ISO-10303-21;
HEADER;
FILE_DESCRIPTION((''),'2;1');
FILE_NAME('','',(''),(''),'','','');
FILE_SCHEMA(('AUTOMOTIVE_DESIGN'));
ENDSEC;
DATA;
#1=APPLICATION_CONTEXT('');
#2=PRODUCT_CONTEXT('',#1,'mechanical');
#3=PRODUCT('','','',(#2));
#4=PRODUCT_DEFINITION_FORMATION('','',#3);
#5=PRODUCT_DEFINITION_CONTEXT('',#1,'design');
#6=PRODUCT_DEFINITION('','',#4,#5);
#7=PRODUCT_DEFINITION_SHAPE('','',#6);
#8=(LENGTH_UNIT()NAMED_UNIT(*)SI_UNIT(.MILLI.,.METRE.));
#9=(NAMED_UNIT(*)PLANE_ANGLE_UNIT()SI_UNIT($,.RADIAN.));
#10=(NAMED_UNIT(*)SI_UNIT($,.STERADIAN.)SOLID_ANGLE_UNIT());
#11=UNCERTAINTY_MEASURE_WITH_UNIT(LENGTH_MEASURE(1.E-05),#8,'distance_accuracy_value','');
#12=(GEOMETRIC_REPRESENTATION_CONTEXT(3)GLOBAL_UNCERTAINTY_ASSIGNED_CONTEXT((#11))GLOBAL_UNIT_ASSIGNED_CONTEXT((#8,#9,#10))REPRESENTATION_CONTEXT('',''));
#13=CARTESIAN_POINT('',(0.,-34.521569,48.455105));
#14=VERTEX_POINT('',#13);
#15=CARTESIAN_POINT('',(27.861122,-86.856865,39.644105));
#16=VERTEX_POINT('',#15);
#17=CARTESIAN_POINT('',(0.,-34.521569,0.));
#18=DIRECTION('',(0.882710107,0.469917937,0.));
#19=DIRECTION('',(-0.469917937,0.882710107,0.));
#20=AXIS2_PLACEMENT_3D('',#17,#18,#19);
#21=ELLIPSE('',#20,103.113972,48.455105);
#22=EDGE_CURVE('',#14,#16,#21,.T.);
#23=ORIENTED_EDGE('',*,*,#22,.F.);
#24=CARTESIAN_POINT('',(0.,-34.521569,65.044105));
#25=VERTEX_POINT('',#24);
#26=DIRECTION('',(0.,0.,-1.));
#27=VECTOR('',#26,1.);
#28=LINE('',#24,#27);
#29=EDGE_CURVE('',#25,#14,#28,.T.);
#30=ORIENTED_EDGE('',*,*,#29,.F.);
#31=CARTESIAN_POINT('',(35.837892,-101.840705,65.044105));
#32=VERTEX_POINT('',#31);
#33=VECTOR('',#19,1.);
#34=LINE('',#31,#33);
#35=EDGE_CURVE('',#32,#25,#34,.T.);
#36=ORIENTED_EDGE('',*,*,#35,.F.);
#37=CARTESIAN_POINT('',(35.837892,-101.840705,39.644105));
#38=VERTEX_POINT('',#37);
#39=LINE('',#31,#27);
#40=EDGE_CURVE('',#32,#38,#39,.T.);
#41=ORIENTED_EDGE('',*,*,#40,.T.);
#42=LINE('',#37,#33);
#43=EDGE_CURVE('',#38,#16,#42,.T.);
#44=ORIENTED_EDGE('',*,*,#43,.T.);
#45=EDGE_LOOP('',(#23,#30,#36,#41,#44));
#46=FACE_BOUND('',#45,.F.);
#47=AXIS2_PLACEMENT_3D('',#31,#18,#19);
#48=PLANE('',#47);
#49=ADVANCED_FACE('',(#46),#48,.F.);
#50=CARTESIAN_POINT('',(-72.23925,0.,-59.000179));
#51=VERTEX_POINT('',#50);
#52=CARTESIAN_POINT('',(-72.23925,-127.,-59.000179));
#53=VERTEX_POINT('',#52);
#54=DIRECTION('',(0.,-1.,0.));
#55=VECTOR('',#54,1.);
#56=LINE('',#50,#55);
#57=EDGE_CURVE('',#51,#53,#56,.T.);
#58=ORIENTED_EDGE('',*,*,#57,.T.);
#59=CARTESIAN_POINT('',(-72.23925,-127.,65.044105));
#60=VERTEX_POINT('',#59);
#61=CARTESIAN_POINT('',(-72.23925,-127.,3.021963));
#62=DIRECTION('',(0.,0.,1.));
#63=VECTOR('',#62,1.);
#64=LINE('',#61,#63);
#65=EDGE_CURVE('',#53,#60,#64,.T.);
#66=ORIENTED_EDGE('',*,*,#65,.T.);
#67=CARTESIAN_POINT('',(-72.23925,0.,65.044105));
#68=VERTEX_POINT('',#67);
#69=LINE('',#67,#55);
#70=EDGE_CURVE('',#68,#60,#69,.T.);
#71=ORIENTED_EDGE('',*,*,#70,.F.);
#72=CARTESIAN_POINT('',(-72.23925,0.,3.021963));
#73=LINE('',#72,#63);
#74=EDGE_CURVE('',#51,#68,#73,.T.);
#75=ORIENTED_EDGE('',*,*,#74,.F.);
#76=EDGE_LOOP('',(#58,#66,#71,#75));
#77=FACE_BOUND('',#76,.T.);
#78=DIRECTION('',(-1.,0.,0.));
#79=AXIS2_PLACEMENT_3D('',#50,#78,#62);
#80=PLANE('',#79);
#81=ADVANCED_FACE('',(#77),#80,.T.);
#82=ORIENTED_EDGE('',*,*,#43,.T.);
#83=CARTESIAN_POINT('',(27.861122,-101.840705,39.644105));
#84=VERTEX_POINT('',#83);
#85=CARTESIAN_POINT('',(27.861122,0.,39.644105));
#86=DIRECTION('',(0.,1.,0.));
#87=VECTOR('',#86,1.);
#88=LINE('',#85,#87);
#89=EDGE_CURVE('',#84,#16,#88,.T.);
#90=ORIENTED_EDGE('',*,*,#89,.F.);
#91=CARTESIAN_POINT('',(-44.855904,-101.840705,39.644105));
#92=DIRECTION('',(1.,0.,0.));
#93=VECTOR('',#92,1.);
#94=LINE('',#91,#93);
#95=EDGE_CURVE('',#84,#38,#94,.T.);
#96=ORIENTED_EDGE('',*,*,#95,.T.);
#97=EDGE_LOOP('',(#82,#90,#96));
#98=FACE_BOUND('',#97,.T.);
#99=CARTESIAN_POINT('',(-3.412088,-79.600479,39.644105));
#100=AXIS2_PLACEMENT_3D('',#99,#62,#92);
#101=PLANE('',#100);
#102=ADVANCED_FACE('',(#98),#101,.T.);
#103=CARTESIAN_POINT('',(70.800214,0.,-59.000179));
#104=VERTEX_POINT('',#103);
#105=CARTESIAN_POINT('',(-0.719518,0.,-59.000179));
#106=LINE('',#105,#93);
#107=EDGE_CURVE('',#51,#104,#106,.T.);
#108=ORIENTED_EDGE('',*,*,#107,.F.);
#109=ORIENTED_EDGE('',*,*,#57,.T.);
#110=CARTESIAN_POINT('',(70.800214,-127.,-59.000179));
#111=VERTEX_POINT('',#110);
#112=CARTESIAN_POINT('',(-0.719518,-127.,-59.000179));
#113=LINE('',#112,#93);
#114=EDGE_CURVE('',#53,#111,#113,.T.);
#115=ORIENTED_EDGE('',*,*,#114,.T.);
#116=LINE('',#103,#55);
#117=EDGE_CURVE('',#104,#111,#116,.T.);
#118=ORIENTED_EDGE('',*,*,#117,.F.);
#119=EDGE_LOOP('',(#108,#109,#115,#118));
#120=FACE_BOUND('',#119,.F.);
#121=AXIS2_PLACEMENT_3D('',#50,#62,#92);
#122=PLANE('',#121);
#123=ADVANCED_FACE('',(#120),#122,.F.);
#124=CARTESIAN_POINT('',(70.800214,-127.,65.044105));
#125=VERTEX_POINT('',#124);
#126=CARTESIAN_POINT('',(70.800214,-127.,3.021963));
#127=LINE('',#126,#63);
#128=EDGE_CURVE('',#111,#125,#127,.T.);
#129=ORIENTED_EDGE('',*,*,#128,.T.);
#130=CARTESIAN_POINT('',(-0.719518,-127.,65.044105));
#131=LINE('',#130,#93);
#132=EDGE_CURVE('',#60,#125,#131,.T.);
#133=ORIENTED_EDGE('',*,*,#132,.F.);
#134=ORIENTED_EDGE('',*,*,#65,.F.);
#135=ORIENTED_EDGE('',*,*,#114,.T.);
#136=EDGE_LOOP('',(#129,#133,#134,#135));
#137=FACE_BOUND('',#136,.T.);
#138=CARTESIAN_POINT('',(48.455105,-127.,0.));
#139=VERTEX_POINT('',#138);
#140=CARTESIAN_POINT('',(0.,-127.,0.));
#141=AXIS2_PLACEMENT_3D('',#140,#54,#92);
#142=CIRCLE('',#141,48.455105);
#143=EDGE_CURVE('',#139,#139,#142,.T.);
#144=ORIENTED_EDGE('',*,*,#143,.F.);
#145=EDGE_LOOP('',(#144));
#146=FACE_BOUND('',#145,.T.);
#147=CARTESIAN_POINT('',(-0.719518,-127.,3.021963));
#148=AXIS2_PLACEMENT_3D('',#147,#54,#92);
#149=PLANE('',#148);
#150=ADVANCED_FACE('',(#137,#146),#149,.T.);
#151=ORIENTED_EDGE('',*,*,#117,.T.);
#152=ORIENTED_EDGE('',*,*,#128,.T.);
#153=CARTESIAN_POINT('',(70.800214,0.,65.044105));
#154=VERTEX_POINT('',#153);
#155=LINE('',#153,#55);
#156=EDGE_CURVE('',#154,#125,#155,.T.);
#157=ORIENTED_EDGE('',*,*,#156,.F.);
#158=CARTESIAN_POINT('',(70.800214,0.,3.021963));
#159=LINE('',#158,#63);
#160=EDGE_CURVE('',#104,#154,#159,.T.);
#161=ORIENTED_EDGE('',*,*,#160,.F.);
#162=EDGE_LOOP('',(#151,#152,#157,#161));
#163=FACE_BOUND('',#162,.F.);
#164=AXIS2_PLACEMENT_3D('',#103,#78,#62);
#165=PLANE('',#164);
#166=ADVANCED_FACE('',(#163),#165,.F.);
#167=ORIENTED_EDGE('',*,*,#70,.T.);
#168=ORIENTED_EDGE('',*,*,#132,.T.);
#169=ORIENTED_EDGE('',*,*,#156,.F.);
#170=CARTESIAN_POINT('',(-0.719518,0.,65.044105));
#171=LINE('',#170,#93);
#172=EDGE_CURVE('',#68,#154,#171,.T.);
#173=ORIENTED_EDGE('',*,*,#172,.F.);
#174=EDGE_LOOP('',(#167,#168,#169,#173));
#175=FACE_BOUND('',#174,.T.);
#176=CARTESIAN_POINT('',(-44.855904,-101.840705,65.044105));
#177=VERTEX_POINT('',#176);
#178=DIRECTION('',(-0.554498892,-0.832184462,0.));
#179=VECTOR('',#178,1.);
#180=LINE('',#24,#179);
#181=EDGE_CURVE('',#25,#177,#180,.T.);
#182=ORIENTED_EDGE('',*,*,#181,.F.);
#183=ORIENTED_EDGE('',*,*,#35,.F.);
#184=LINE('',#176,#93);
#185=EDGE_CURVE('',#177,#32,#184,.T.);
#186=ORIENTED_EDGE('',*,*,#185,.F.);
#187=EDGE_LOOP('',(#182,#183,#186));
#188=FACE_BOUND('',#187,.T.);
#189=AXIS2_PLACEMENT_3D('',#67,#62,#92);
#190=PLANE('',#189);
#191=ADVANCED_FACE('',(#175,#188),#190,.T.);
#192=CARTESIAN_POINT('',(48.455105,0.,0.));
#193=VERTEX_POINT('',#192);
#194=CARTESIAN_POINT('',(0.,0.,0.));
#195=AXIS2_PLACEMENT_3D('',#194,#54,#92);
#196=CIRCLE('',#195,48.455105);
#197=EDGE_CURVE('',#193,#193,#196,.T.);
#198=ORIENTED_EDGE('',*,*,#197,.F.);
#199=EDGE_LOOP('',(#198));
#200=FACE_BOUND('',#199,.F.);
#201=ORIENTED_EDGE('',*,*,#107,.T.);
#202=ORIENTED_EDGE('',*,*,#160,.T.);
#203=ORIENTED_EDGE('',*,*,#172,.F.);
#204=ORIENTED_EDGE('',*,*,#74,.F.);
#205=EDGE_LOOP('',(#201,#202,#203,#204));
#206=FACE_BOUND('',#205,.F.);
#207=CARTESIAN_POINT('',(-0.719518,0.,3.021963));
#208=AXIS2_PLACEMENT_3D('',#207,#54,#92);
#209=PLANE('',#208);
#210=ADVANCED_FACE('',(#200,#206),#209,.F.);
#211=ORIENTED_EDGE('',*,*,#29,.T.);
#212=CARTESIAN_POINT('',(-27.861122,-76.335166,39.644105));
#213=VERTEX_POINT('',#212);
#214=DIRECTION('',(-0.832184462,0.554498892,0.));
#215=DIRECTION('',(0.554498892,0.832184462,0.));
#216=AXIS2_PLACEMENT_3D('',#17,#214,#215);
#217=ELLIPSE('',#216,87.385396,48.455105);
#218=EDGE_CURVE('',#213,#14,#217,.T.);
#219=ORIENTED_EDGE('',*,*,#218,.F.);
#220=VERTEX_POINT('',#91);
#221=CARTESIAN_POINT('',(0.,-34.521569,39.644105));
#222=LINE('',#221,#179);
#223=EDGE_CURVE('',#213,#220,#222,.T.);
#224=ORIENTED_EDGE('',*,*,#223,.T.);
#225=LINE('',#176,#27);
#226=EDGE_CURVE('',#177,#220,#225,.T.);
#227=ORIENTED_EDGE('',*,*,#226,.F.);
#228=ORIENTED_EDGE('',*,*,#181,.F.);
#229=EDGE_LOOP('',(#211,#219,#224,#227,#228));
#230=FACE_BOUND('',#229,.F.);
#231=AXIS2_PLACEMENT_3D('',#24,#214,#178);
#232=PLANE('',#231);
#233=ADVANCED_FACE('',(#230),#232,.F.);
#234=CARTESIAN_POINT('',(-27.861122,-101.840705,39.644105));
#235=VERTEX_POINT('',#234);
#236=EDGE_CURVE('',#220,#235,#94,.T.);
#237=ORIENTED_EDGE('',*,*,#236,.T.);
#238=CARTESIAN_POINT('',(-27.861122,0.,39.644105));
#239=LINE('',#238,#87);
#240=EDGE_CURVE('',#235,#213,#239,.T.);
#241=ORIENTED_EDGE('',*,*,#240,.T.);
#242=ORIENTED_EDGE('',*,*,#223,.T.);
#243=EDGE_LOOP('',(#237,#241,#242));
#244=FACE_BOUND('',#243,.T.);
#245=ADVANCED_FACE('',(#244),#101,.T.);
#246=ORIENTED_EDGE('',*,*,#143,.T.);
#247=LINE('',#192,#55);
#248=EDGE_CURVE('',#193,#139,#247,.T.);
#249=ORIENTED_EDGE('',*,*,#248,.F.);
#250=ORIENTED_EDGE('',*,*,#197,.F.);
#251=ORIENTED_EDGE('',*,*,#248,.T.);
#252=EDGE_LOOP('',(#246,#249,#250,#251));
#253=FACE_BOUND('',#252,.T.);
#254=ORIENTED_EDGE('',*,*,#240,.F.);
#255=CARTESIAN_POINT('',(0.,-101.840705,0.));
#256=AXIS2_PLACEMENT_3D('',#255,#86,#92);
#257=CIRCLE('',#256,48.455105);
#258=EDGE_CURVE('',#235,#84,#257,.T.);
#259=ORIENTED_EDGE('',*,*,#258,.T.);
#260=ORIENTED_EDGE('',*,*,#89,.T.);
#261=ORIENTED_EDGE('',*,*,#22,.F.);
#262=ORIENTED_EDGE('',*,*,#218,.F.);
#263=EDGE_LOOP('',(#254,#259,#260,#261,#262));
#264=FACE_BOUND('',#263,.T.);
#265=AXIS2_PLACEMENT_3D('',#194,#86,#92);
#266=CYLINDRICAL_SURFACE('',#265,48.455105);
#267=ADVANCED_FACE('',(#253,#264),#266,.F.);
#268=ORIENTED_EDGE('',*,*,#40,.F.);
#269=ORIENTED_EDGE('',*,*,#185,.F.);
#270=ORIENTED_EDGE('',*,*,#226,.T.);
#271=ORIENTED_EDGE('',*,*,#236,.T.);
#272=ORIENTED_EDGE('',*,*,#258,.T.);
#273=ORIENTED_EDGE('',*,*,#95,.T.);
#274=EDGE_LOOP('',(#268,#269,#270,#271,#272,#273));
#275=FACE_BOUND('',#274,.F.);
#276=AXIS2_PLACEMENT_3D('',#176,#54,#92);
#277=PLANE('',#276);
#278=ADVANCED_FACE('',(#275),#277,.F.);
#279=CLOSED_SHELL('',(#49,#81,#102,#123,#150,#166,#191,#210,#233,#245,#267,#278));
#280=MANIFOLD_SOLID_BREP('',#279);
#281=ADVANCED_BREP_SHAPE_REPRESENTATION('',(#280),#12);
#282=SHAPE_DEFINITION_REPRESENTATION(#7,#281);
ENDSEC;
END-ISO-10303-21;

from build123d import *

# Parameters (mm, degrees)
F0_W     = 143.039465
F0_H     = 124.044284
F0_R     = 48.455105
F1_DEPTH = 127
F3_DEPTH = 25.4


with BuildPart() as f1:
    # F0 (on Front) → F1 (new body)
    with BuildSketch(Plane.XZ):
        with Locations((-0.719518, 3.021963)):
            Rectangle(F0_W, F0_H)
        Circle(F0_R, mode=Mode.SUBTRACT)
    extrude(amount=F1_DEPTH)

    # F2 (on face) → F3 (cut)
    with BuildSketch(Plane.XY.offset(65.044105)):
        Polygon((35.837892, -101.840705), (0, -34.521569), (-44.855904, -101.840705), align=None)
    extrude(amount=-F3_DEPTH, mode=Mode.SUBTRACT)


solid = f1.part
